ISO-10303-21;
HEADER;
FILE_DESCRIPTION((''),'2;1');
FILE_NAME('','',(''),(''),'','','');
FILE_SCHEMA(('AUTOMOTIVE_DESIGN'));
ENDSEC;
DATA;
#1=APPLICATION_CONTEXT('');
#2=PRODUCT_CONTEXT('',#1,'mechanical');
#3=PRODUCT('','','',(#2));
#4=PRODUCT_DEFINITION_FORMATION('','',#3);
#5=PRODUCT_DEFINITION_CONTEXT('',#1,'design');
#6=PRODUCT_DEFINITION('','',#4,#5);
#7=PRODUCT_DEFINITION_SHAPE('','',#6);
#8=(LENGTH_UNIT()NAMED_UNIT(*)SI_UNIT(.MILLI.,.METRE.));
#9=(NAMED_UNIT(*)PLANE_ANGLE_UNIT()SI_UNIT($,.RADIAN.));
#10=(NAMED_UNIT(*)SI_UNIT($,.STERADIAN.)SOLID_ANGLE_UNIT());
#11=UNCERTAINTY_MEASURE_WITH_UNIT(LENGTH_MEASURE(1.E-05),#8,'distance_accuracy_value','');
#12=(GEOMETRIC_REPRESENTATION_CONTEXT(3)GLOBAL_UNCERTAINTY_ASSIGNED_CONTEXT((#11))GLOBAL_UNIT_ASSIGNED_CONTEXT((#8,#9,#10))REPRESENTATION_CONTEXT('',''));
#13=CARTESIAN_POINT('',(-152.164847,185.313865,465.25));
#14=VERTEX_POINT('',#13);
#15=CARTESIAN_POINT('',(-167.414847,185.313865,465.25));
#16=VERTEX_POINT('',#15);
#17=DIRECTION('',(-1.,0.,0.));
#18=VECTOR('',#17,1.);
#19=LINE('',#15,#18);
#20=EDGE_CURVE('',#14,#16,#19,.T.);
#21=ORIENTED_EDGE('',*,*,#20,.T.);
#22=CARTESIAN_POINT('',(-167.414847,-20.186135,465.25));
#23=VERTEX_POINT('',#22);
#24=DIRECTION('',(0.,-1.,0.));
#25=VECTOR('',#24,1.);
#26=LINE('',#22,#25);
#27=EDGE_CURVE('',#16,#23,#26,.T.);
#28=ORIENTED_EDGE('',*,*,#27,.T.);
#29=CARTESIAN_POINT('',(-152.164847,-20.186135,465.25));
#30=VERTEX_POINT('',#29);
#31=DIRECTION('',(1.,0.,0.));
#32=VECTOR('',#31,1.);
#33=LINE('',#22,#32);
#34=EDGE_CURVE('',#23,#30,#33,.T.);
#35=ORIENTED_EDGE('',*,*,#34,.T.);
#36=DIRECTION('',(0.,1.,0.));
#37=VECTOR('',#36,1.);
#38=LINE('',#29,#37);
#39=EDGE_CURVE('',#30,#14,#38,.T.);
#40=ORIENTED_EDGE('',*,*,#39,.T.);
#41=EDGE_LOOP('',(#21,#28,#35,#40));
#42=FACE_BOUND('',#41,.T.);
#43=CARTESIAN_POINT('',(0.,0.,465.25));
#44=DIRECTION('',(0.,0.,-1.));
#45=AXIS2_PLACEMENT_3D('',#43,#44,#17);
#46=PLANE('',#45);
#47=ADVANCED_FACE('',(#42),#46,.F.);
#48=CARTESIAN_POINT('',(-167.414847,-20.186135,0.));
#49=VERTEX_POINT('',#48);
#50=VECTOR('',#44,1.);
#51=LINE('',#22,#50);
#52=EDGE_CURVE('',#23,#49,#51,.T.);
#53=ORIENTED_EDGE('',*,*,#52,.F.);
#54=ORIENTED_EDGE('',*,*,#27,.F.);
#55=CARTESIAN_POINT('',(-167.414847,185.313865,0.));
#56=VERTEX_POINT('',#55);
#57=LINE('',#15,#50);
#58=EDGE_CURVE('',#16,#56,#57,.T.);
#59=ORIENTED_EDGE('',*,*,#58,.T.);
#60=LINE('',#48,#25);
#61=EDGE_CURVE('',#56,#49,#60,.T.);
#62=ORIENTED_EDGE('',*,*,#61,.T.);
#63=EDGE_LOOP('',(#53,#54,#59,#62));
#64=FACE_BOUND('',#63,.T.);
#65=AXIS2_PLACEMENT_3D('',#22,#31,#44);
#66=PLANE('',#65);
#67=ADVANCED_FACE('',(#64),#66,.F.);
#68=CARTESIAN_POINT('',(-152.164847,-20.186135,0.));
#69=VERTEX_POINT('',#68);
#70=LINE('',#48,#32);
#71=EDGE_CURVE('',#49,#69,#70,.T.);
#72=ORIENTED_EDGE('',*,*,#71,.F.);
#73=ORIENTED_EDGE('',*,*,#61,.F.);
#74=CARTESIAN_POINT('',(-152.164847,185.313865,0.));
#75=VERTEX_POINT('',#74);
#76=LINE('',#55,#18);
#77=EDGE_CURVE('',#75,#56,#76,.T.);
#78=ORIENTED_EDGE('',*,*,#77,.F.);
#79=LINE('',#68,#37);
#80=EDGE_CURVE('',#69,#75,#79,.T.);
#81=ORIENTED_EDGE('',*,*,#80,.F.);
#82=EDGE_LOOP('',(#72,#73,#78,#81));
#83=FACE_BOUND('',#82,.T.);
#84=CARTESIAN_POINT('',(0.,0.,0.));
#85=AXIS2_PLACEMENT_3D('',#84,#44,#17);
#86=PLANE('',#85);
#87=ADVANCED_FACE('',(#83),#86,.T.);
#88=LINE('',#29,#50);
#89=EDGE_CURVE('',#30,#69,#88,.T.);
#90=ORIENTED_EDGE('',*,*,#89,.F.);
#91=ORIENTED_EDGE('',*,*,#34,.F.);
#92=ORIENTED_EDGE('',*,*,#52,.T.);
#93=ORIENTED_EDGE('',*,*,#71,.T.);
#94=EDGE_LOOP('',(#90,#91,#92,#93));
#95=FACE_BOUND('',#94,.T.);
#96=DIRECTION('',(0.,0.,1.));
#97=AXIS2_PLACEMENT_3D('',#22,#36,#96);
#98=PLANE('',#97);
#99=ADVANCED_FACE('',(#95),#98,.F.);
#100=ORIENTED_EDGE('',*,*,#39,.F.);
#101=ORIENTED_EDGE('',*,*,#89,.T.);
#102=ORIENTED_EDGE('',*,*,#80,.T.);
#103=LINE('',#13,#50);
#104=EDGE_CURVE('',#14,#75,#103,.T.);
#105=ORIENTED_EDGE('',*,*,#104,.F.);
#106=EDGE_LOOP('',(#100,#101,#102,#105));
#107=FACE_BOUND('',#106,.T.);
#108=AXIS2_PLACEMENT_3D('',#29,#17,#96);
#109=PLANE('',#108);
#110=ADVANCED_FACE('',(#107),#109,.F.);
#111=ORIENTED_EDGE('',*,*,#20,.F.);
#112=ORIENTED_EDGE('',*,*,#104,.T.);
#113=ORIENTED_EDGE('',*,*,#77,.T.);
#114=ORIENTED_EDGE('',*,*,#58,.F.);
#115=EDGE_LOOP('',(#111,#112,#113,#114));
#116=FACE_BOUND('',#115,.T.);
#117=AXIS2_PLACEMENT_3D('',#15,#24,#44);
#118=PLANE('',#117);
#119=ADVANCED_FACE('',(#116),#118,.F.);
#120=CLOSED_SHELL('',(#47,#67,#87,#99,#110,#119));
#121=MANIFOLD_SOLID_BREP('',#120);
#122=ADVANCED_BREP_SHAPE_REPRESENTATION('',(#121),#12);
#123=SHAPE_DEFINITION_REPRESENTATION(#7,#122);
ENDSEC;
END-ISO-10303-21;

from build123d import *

# Parameters (mm, degrees)
ESQUISSE1_W        = 15.25
ESQUISSE1_H        = 205.5
BOSS_EXTRU_1_DEPTH = 465.25


with BuildPart() as part:
    # Esquisse1 → Boss.-Extru.1 (new body)
    with BuildSketch(Plane.XY):
        with Locations((-159.789847162, 82.563864629)):
            Rectangle(ESQUISSE1_W, ESQUISSE1_H)
    extrude(amount=BOSS_EXTRU_1_DEPTH)


solid = part.part
